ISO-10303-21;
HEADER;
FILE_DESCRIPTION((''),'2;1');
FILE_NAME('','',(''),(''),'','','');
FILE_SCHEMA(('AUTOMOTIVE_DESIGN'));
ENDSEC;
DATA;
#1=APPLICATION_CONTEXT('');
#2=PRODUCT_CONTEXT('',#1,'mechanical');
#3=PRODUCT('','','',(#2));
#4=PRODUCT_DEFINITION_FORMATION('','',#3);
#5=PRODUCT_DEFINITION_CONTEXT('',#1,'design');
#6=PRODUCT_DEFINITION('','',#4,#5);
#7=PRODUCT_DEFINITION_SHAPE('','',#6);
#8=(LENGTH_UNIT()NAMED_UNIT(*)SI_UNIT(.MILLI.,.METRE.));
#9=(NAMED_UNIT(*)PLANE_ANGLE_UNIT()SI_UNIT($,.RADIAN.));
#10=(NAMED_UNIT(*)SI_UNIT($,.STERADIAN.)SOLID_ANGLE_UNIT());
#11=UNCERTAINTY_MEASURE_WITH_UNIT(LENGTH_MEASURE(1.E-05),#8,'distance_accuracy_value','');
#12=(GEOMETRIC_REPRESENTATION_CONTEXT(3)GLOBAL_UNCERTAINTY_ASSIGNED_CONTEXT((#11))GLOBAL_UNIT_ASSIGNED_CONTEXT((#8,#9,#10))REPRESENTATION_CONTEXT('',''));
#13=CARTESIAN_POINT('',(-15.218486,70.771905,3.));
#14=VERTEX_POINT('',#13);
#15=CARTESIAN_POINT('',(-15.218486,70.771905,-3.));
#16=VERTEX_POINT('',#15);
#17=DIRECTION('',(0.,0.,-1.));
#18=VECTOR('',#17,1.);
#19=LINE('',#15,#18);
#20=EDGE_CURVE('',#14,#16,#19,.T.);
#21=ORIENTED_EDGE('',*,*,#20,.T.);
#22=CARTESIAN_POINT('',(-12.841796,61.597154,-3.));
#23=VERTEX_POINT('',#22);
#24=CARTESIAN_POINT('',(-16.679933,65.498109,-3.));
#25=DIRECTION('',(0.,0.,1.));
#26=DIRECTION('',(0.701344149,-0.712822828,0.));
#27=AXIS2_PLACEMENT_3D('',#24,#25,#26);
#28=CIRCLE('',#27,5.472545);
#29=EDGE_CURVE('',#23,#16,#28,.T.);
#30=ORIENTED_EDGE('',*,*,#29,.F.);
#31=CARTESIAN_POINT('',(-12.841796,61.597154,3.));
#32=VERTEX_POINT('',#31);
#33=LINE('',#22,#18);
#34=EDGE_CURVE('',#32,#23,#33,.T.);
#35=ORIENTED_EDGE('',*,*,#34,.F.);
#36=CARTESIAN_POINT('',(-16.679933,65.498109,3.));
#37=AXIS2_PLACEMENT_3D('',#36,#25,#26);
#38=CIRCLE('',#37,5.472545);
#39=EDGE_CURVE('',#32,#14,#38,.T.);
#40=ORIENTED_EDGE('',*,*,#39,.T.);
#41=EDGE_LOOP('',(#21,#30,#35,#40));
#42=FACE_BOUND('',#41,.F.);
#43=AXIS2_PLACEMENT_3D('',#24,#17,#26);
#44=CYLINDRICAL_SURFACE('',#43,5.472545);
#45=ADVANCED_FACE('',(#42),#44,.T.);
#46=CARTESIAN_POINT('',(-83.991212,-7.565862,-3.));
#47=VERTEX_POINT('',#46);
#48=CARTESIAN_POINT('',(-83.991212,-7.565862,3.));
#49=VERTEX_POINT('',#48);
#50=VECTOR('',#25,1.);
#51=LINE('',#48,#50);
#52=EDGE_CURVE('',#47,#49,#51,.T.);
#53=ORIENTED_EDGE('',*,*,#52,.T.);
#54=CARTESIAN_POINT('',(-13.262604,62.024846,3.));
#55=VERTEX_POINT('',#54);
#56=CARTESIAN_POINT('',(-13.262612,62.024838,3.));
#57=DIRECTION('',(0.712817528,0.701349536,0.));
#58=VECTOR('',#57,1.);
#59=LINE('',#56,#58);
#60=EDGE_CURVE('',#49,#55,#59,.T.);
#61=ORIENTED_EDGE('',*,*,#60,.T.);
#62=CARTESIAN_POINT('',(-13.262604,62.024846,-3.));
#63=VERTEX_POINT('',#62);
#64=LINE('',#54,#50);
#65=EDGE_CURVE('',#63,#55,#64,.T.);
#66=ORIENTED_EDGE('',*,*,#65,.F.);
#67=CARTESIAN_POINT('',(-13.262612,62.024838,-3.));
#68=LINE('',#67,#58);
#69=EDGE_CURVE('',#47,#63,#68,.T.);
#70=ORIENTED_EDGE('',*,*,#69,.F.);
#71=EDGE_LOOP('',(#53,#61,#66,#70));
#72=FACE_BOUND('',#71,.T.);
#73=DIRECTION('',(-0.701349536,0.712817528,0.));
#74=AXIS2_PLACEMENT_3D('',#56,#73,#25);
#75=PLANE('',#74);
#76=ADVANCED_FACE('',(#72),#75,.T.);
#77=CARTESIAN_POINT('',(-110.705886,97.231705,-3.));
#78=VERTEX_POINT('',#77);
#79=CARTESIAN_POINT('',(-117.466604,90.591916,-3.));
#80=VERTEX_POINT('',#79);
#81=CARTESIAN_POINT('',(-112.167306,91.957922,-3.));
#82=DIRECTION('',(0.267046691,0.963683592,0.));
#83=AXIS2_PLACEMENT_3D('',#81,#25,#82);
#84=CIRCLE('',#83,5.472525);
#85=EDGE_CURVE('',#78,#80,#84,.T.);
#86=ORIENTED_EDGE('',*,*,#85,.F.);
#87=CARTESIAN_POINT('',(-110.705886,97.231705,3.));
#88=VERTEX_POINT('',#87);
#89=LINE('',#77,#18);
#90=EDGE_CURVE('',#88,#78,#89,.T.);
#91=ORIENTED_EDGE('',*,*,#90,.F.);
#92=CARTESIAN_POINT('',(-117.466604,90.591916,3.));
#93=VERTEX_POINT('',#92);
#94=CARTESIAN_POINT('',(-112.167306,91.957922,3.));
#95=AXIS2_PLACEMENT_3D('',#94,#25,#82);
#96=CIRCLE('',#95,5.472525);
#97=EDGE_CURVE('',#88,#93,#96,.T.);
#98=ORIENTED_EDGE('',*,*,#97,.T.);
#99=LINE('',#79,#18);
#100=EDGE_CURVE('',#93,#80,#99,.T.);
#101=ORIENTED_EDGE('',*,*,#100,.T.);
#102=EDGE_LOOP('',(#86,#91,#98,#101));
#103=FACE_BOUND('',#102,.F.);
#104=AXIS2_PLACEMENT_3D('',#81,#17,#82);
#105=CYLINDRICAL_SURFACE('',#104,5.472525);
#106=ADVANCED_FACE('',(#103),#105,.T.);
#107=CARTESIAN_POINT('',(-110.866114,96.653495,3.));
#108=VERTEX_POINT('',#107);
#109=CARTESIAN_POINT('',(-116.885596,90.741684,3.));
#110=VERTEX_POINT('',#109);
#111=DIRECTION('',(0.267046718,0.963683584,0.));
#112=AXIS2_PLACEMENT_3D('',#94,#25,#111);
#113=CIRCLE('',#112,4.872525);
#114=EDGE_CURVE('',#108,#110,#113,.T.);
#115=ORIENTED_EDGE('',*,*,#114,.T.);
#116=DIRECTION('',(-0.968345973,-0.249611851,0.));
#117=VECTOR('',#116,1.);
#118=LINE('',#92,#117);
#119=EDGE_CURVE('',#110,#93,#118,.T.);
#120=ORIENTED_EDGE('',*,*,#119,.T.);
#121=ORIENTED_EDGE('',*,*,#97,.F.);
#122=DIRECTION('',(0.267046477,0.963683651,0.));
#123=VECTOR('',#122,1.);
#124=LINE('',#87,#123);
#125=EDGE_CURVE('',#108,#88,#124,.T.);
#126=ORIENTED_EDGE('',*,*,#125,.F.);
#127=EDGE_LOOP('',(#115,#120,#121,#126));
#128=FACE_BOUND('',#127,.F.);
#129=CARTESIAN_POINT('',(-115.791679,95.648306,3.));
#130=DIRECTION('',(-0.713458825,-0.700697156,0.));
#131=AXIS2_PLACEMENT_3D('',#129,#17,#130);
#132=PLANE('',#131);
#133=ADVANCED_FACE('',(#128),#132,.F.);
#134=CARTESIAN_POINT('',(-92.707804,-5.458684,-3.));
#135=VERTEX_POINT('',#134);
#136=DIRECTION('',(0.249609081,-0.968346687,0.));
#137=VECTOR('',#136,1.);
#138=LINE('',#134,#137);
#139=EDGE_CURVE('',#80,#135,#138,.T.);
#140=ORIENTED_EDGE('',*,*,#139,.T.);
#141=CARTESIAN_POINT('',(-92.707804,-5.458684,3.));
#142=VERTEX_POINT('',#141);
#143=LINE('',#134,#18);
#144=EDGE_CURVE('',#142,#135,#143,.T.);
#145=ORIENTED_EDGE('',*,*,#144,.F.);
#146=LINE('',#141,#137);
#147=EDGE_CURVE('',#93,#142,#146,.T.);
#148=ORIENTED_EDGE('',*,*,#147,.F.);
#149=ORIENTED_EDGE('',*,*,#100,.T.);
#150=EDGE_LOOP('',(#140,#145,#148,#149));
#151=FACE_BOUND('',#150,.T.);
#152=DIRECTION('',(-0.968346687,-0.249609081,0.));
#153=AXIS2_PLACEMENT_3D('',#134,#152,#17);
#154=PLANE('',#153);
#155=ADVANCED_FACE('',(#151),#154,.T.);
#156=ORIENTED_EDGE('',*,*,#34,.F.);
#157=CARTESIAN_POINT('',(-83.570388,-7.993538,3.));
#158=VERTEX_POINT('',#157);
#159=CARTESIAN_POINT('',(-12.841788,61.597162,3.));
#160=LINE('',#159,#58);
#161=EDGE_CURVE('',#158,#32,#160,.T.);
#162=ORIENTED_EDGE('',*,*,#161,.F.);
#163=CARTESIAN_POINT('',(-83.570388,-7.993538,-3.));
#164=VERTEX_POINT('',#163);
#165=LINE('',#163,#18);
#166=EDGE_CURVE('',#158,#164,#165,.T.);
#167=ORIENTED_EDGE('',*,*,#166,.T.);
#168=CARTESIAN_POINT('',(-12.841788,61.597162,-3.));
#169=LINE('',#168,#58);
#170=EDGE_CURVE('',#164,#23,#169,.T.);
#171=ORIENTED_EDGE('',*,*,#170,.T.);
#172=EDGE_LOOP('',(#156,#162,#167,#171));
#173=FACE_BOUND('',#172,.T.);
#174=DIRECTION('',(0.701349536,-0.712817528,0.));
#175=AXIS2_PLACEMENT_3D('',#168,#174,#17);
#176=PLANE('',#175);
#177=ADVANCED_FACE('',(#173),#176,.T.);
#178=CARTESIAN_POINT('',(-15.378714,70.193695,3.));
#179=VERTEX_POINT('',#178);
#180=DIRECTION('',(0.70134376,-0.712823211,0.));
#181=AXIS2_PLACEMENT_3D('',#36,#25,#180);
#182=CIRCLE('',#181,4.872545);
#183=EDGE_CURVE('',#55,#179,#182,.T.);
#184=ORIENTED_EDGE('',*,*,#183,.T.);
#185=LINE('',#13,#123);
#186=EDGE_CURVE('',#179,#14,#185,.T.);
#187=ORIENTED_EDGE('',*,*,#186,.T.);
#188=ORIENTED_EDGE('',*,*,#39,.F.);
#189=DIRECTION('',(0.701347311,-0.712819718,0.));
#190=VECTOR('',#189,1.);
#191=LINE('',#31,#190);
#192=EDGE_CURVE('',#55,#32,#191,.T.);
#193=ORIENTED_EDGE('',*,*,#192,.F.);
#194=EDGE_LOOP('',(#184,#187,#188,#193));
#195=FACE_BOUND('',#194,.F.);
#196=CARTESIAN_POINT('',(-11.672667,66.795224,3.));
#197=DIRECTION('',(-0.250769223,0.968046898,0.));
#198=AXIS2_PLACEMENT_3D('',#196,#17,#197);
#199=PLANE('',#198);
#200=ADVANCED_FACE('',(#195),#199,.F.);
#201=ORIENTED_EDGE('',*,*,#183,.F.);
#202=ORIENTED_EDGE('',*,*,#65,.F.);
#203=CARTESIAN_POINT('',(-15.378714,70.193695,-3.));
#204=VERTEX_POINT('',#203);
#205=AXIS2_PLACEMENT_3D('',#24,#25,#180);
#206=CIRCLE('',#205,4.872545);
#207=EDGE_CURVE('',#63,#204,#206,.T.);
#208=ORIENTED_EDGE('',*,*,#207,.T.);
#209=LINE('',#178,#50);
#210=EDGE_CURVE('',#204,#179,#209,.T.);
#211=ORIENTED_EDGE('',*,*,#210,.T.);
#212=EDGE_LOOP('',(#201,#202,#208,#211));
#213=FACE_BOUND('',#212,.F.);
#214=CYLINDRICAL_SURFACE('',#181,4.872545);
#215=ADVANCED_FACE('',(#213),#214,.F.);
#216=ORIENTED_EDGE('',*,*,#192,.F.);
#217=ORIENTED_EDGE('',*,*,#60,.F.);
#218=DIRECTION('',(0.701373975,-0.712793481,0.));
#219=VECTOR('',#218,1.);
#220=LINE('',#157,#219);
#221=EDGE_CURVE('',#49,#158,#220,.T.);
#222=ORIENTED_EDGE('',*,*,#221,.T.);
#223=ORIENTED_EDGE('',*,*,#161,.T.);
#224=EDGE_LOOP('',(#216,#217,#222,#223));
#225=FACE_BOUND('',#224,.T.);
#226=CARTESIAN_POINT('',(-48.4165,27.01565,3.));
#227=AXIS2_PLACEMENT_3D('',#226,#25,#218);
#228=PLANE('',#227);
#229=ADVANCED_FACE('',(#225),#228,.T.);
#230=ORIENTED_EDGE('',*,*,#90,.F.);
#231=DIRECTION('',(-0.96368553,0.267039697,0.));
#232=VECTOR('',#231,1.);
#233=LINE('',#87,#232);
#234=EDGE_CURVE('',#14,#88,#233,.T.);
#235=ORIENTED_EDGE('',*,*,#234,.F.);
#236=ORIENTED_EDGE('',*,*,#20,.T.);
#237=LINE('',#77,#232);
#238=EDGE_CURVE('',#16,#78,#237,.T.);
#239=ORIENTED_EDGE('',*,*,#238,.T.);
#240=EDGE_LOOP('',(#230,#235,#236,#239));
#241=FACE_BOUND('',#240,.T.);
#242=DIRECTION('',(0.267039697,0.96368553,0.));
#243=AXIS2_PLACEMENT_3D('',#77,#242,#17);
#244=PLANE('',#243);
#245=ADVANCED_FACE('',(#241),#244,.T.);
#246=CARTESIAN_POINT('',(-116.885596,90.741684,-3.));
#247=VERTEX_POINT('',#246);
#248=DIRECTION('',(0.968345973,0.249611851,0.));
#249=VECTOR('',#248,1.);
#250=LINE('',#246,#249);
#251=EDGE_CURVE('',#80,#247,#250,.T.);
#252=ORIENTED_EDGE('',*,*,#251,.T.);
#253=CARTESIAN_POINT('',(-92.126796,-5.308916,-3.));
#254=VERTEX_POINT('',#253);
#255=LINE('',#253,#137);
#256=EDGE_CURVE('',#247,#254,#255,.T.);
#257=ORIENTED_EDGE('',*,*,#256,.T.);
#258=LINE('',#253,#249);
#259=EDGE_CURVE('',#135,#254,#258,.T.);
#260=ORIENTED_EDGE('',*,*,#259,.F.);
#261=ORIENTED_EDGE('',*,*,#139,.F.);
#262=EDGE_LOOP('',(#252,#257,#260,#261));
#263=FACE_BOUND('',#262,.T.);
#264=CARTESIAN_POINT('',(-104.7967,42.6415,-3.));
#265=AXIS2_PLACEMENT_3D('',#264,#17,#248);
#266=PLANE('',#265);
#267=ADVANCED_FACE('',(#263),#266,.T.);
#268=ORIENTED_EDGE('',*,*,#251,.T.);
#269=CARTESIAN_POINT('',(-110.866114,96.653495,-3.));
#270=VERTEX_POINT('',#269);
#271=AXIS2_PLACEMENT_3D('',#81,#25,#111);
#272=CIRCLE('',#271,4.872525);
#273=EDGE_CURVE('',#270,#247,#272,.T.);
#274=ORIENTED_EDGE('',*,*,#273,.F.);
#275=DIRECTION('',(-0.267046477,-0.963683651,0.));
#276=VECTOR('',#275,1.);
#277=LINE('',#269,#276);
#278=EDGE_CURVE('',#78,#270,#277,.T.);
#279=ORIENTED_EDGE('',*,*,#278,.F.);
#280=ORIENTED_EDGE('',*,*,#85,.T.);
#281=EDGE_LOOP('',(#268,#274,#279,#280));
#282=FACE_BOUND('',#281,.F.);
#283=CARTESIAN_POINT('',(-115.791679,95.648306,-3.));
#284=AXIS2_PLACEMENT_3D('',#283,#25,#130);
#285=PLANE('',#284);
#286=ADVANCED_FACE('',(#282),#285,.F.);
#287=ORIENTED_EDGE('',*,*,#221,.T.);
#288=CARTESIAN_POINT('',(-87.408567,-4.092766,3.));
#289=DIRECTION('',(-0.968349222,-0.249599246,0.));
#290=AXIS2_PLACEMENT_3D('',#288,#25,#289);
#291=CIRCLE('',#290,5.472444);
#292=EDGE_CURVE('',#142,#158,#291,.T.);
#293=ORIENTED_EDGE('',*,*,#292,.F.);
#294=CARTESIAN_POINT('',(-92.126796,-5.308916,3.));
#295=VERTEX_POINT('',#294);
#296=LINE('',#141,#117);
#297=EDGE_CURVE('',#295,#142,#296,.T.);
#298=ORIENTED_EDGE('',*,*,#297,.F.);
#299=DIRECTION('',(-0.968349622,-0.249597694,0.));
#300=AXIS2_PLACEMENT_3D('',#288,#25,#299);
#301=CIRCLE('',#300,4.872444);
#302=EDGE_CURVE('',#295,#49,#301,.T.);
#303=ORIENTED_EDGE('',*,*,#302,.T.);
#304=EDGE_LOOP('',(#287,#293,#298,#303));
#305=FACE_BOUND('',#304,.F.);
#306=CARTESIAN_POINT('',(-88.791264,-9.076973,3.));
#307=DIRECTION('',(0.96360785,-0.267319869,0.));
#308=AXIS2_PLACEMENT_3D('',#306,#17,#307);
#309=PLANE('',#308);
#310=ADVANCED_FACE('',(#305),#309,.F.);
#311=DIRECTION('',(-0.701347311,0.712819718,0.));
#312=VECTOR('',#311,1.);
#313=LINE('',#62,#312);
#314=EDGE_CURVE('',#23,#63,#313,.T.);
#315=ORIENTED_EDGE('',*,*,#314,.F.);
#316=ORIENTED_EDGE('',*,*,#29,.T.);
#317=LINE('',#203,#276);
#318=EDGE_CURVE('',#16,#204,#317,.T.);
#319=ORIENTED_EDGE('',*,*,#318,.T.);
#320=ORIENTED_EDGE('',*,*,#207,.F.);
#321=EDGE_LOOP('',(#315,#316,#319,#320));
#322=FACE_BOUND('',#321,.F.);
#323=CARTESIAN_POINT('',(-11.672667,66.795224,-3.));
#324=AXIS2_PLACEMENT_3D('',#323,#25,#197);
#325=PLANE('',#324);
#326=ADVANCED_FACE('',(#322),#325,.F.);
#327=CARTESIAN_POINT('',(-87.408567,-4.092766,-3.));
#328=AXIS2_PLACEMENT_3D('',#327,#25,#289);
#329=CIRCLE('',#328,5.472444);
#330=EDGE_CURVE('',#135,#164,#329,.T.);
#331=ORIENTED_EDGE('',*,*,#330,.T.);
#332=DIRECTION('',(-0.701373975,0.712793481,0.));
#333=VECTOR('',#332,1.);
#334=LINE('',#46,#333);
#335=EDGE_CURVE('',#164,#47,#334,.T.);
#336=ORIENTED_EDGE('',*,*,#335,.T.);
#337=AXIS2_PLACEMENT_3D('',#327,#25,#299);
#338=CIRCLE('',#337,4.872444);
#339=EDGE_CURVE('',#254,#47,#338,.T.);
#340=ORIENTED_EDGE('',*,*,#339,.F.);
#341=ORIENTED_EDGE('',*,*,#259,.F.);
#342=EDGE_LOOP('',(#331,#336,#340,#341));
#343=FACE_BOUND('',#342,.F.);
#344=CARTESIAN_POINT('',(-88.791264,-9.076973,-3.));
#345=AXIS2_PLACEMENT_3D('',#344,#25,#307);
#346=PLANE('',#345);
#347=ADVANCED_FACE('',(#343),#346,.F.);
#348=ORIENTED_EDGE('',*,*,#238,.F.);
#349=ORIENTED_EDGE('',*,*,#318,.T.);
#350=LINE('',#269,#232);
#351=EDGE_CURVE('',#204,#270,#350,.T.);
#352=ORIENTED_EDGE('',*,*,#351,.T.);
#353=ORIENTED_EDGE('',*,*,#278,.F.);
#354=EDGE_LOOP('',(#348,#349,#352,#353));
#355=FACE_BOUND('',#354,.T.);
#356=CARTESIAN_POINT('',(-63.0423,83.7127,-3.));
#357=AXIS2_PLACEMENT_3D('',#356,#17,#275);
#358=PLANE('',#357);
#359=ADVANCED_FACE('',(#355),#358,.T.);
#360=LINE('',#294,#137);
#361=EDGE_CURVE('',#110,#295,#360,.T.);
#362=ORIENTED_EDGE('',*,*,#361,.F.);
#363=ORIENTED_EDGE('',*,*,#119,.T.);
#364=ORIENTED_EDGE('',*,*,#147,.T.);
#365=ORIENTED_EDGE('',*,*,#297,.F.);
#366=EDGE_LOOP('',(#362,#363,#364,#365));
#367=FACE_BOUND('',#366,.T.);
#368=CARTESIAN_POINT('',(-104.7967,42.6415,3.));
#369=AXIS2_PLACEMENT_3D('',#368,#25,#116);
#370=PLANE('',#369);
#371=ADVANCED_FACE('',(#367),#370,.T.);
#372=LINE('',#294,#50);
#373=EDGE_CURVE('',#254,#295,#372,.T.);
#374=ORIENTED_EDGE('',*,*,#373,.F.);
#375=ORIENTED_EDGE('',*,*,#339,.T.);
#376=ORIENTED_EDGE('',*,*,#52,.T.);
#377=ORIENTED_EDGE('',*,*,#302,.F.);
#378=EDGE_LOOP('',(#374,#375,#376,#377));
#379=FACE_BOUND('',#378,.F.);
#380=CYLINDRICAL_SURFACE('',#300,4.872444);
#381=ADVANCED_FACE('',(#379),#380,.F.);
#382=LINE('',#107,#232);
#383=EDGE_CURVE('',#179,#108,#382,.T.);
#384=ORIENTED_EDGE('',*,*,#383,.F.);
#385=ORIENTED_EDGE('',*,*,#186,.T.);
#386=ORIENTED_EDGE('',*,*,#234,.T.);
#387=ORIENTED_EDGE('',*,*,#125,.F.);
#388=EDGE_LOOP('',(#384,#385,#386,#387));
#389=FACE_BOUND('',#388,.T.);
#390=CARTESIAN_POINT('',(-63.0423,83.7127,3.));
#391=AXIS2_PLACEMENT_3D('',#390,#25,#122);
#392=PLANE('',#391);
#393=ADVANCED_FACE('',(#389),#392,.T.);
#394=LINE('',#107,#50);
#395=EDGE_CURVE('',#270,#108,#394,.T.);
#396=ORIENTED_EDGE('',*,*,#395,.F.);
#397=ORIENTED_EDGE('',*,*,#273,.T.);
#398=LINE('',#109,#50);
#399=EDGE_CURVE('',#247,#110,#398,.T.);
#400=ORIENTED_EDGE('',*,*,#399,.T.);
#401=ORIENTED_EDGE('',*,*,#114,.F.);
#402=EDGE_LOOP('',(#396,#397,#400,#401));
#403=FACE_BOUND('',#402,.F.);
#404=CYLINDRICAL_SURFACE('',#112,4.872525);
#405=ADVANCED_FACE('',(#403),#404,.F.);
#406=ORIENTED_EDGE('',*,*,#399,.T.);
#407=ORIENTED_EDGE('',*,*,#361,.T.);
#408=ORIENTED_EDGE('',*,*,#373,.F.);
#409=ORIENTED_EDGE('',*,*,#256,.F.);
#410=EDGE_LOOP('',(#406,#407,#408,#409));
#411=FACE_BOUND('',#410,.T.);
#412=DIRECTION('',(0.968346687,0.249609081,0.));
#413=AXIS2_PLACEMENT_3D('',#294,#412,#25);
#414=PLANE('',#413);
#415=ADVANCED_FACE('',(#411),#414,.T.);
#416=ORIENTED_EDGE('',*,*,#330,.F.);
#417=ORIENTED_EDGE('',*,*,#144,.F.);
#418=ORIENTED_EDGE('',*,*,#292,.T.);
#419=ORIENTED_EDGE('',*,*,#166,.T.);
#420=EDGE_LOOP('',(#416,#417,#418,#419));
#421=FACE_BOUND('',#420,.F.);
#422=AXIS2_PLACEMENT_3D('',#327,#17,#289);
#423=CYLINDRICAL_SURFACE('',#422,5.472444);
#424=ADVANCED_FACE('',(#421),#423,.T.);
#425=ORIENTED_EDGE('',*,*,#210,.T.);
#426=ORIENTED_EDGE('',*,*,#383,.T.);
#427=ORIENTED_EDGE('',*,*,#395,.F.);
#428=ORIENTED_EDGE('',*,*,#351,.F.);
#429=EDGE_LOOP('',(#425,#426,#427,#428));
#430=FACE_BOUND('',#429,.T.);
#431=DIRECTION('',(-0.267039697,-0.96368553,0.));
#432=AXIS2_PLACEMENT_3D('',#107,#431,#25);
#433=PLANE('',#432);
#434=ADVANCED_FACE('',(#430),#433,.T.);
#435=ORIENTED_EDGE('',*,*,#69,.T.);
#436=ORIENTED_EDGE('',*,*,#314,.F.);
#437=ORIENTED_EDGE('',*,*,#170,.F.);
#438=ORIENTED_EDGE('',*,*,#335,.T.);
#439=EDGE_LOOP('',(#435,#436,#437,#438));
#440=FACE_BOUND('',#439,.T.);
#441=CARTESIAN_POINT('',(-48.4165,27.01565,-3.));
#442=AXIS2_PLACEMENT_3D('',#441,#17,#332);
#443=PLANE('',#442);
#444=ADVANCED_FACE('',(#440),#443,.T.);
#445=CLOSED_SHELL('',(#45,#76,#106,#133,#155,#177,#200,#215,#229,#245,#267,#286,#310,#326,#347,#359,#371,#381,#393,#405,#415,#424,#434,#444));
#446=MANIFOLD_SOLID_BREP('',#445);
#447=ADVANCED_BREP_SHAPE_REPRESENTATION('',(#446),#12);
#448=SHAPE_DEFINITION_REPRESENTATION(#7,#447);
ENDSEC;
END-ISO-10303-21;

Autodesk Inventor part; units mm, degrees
sketch "Skizzenpfad" plane through (0, 0, 0) normal (0, 0, 1) x (1, 0, 0)
  arc A0 (-110.786, 96.9426) -> (-117.1761, 90.6668) centre (-112.1673, 91.9579) ccw
  arc A1 (-13.0522, 61.811) -> (-15.2986, 70.4828) centre (-16.6799, 65.4981) ccw
  arc A2 (-92.4173, -5.3838) -> (-83.7808, -7.7797) centre (-87.4085, -4.0927) ccw
  line L0 (-92.4173, -5.3838) -> (-117.1761, 90.6668)
  line L1 (-110.786, 96.9426) -> (-15.2986, 70.4828)
  line L2 (-13.0522, 61.811) -> (-83.7808, -7.7797)
ref_plane "Querschnittsebene" through (-117.1761, 90.6668, 0) normal (0.2496, -0.9683, 0) x (0, 0, 1)
ref_plane "Arbeitsebene2" through (-112.1673, 91.9579, 0) normal (-1, 0, 0) x (0, 0, 1)
ref_plane "Arbeitsebene3" through (-16.6799, 65.4981, 0) normal (-0.7899, 0.6132, 0) x (0, 0, 1)
ref_plane "Arbeitsebene4" through (-87.4085, -4.0927, 0) normal (0.9218, 0.3878, 0) x (0, 0, 1)
sketch "Querschnitt" plane through (-117.1761, 90.6668, 0) normal (0.2496, -0.9683, 0) x (0, 0, 1)
  line L0 (-3, 0.3) -> (3, 0.3)
  line L1 (3, 0.3) -> (3, -0.3)
  line L2 (3, -0.3) -> (-3, -0.3)
  line L3 (-3, -0.3) -> (-3, 0.3)
  line L4 (-3, 0) -> (3, 0) construction
  point P0 (0, 0)
  point P1 (0, 0)
  dimension "d0" = 6
  dimension "d4" = 0.3
  dimension "d5" = 0.3
sweep "Riemen" add profiles "Querschnitt" path "Skizzenpfad"
equation "\"d0\" = da_B"
equation "\"d4\" = da_a"
equation "\"d5\" = da_a2"
equation "\"da_B\" = 6"
equation "\"da_pb\" = 2.5"
equation "\"da_a\" = 0.3"
equation "\"da_S\" = 1.5"
equation "\"da_Beta\" = 20deg"
equation "\"da_Ht\" = 0.7"
equation "\"da_H\" = 1.3"
equation "\"da_a2\" = 0.3"
properties part number "Zahnriemen" material "Rubber"
